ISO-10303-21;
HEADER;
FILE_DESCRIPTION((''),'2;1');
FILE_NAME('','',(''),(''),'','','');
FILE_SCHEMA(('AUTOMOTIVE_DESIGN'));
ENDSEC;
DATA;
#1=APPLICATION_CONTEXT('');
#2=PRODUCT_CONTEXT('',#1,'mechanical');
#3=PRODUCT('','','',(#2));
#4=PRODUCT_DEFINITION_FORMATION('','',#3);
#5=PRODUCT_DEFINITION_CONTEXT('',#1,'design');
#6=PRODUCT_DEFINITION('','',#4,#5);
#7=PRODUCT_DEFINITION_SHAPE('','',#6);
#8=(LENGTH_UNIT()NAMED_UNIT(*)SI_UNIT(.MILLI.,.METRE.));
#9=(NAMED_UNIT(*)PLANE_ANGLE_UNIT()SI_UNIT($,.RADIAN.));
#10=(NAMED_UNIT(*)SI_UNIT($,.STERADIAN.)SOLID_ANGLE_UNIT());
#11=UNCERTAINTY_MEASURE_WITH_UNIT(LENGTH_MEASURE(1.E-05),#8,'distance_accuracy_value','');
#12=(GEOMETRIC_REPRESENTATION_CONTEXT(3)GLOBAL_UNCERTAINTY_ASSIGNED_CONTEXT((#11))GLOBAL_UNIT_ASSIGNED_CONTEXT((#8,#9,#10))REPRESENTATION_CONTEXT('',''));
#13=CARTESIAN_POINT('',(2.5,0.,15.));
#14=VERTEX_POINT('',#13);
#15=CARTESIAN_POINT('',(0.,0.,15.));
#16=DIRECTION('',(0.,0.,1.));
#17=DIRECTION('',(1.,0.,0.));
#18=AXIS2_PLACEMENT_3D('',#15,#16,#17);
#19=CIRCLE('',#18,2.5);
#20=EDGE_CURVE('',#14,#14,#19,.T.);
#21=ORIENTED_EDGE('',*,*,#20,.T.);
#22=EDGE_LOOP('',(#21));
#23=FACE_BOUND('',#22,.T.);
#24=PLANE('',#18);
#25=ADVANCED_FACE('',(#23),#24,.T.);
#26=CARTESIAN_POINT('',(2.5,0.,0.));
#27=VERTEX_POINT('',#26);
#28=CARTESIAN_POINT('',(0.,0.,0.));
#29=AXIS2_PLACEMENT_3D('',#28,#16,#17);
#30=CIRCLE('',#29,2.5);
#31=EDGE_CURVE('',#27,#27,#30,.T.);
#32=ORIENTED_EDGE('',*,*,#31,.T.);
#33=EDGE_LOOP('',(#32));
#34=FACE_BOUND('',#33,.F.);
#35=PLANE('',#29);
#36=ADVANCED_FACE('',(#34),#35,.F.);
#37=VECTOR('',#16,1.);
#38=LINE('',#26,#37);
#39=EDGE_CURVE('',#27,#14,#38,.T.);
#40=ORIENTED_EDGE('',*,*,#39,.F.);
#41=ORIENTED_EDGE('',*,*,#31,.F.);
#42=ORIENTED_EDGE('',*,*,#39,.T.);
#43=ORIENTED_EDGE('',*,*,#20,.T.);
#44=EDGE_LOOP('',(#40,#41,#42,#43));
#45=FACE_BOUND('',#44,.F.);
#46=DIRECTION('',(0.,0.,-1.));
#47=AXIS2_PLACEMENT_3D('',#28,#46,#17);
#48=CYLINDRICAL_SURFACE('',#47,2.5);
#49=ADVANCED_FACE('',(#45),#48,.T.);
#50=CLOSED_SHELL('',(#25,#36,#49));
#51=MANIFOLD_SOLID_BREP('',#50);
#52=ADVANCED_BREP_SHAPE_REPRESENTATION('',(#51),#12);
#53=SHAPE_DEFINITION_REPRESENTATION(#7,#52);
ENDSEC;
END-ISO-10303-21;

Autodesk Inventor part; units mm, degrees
ref_plane "YZ Plane" through (0, 0, 0) normal (1, 0, 0) x (0, 1, 0)
ref_plane "XZ Plane" through (0, 0, 0) normal (0, 1, 0) x (-1, 0, 0)
ref_plane "XY Plane" through (0, 0, 0) normal (0, 0, 1) x (1, 0, 0)
sketch "Sketch1" plane through (0, 0, 0) normal (0, 0, 1) x (1, 0, 0)
  circle A0 centre (0, 0) radius 2.5
  dimension "d0" = 5
extrude "Extrusion1" add sketch "Sketch1" along normal blind 15
